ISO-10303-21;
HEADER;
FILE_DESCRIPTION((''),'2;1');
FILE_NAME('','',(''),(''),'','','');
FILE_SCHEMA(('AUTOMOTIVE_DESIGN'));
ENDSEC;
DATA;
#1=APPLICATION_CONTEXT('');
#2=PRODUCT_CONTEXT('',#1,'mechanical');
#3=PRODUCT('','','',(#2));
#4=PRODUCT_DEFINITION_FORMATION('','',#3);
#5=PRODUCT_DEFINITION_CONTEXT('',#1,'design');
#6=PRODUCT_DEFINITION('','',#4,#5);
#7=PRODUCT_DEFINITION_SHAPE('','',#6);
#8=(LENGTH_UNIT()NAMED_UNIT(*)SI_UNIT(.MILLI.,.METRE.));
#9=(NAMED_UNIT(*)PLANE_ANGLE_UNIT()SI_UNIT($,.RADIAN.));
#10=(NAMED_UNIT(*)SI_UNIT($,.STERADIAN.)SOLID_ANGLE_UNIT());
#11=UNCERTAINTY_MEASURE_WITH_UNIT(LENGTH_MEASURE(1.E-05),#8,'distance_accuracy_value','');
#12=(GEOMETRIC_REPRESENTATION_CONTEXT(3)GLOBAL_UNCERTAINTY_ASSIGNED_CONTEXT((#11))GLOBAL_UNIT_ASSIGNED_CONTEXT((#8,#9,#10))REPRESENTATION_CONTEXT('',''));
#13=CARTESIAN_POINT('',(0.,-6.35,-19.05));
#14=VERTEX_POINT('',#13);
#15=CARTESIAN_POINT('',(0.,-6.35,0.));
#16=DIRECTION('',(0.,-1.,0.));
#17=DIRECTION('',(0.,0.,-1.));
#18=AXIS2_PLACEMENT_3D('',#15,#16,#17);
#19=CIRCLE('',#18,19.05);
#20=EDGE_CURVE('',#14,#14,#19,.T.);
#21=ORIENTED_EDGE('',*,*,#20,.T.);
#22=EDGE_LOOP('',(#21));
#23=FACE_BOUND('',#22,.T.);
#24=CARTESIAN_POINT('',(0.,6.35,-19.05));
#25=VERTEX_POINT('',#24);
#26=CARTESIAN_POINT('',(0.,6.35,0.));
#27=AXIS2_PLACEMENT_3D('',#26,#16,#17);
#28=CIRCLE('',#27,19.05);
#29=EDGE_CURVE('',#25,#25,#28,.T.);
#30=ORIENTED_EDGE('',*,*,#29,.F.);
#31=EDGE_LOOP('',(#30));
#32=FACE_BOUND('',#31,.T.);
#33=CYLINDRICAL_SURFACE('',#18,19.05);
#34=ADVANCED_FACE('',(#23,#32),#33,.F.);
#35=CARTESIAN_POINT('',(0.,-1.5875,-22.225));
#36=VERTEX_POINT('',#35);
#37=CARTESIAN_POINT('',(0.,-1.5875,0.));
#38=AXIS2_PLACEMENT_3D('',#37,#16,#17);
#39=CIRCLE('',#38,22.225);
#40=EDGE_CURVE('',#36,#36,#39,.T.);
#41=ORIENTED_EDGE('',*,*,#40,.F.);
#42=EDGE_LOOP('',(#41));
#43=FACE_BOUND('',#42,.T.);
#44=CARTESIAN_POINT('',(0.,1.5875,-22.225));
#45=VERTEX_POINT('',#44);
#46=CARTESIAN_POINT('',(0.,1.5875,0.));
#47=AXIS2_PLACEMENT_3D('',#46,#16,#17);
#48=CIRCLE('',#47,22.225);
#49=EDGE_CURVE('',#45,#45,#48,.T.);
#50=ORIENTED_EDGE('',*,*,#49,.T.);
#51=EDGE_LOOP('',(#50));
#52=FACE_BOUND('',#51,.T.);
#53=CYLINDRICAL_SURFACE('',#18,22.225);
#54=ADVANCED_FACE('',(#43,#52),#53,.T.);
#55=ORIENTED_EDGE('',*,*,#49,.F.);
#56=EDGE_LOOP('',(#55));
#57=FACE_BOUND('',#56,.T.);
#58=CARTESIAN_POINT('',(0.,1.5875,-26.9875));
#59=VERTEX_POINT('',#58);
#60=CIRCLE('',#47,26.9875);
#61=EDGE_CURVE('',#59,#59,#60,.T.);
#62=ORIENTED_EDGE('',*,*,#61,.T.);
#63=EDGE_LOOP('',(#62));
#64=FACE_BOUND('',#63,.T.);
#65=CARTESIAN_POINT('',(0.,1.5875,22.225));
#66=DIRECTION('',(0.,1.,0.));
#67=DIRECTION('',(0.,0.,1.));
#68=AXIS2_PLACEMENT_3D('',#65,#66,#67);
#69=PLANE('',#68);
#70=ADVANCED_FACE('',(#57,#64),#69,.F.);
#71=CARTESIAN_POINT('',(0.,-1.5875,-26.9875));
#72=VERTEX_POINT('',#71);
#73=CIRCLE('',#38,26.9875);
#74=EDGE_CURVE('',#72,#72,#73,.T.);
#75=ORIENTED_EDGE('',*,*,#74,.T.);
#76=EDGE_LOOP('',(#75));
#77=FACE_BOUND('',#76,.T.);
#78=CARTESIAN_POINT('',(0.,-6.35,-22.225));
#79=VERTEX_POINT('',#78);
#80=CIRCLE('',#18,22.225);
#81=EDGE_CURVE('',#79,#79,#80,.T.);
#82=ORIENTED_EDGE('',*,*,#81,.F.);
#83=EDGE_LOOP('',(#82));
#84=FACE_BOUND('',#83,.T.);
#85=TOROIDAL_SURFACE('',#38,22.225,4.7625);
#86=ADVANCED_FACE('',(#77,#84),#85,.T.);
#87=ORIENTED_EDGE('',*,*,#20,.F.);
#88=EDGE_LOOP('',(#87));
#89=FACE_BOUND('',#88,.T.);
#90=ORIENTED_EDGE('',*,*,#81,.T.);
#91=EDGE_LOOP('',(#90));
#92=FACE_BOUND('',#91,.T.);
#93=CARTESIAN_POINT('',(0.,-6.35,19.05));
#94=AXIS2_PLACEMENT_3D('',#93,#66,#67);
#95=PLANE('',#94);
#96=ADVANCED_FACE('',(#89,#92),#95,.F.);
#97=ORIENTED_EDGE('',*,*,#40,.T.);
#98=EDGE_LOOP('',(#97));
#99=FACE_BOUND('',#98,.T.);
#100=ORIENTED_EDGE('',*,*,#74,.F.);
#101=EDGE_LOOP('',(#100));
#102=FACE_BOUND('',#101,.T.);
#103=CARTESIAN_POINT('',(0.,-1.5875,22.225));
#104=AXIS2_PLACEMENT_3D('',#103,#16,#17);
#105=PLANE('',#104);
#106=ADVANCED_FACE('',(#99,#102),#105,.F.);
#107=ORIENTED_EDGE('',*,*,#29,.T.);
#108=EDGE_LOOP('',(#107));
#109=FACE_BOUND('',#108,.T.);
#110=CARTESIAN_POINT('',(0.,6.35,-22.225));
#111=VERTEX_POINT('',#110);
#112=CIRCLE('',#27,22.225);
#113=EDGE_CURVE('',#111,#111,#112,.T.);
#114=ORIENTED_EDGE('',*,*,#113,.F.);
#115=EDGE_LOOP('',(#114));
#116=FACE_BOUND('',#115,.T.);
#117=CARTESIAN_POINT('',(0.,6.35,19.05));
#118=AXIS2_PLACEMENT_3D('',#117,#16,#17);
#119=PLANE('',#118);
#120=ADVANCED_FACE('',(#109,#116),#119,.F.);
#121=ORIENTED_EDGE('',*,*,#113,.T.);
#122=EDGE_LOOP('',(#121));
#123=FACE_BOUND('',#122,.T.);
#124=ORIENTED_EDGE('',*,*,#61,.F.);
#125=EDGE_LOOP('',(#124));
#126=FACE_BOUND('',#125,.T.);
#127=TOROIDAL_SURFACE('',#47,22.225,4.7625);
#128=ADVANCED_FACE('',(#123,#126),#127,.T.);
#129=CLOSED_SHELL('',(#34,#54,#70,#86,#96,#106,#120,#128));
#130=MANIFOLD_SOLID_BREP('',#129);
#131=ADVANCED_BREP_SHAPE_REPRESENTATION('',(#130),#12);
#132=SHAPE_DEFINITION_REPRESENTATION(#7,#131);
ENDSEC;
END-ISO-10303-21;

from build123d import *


with BuildPart() as part:
    # Sketch2 → Revolve1 (revolve)
    with BuildSketch(Plane(origin=(0, 0, 0), x_dir=(0, 0, -1), z_dir=(1, 0, 0)), mode=Mode.PRIVATE) as revolve1_sk:
        with BuildLine():
            Line((-19.05, -6.35), (-19.05, 6.35))
            Line((-19.05, 6.35), (-22.225, 6.35))
            ThreePointArc((-22.225, 6.35), (-25.592596045, 4.955096045), (-26.9875, 1.5875))
            Line((-26.9875, 1.5875), (-22.225, 1.5875))
            Line((-22.225, 1.5875), (-22.225, -1.5875))
            Line((-22.225, -1.5875), (-26.9875, -1.5875))
            ThreePointArc((-26.9875, -1.5875), (-25.592596045, -4.955096045), (-22.225, -6.35))
            Line((-22.225, -6.35), (-19.05, -6.35))
        make_face()
    revolve(revolve1_sk.sketch.rotate(Axis((0, -6.35, 0), (0, 1, 0)), 180), axis=Axis((0, -6.35, 0), (0, 1, 0)))


solid = part.part
